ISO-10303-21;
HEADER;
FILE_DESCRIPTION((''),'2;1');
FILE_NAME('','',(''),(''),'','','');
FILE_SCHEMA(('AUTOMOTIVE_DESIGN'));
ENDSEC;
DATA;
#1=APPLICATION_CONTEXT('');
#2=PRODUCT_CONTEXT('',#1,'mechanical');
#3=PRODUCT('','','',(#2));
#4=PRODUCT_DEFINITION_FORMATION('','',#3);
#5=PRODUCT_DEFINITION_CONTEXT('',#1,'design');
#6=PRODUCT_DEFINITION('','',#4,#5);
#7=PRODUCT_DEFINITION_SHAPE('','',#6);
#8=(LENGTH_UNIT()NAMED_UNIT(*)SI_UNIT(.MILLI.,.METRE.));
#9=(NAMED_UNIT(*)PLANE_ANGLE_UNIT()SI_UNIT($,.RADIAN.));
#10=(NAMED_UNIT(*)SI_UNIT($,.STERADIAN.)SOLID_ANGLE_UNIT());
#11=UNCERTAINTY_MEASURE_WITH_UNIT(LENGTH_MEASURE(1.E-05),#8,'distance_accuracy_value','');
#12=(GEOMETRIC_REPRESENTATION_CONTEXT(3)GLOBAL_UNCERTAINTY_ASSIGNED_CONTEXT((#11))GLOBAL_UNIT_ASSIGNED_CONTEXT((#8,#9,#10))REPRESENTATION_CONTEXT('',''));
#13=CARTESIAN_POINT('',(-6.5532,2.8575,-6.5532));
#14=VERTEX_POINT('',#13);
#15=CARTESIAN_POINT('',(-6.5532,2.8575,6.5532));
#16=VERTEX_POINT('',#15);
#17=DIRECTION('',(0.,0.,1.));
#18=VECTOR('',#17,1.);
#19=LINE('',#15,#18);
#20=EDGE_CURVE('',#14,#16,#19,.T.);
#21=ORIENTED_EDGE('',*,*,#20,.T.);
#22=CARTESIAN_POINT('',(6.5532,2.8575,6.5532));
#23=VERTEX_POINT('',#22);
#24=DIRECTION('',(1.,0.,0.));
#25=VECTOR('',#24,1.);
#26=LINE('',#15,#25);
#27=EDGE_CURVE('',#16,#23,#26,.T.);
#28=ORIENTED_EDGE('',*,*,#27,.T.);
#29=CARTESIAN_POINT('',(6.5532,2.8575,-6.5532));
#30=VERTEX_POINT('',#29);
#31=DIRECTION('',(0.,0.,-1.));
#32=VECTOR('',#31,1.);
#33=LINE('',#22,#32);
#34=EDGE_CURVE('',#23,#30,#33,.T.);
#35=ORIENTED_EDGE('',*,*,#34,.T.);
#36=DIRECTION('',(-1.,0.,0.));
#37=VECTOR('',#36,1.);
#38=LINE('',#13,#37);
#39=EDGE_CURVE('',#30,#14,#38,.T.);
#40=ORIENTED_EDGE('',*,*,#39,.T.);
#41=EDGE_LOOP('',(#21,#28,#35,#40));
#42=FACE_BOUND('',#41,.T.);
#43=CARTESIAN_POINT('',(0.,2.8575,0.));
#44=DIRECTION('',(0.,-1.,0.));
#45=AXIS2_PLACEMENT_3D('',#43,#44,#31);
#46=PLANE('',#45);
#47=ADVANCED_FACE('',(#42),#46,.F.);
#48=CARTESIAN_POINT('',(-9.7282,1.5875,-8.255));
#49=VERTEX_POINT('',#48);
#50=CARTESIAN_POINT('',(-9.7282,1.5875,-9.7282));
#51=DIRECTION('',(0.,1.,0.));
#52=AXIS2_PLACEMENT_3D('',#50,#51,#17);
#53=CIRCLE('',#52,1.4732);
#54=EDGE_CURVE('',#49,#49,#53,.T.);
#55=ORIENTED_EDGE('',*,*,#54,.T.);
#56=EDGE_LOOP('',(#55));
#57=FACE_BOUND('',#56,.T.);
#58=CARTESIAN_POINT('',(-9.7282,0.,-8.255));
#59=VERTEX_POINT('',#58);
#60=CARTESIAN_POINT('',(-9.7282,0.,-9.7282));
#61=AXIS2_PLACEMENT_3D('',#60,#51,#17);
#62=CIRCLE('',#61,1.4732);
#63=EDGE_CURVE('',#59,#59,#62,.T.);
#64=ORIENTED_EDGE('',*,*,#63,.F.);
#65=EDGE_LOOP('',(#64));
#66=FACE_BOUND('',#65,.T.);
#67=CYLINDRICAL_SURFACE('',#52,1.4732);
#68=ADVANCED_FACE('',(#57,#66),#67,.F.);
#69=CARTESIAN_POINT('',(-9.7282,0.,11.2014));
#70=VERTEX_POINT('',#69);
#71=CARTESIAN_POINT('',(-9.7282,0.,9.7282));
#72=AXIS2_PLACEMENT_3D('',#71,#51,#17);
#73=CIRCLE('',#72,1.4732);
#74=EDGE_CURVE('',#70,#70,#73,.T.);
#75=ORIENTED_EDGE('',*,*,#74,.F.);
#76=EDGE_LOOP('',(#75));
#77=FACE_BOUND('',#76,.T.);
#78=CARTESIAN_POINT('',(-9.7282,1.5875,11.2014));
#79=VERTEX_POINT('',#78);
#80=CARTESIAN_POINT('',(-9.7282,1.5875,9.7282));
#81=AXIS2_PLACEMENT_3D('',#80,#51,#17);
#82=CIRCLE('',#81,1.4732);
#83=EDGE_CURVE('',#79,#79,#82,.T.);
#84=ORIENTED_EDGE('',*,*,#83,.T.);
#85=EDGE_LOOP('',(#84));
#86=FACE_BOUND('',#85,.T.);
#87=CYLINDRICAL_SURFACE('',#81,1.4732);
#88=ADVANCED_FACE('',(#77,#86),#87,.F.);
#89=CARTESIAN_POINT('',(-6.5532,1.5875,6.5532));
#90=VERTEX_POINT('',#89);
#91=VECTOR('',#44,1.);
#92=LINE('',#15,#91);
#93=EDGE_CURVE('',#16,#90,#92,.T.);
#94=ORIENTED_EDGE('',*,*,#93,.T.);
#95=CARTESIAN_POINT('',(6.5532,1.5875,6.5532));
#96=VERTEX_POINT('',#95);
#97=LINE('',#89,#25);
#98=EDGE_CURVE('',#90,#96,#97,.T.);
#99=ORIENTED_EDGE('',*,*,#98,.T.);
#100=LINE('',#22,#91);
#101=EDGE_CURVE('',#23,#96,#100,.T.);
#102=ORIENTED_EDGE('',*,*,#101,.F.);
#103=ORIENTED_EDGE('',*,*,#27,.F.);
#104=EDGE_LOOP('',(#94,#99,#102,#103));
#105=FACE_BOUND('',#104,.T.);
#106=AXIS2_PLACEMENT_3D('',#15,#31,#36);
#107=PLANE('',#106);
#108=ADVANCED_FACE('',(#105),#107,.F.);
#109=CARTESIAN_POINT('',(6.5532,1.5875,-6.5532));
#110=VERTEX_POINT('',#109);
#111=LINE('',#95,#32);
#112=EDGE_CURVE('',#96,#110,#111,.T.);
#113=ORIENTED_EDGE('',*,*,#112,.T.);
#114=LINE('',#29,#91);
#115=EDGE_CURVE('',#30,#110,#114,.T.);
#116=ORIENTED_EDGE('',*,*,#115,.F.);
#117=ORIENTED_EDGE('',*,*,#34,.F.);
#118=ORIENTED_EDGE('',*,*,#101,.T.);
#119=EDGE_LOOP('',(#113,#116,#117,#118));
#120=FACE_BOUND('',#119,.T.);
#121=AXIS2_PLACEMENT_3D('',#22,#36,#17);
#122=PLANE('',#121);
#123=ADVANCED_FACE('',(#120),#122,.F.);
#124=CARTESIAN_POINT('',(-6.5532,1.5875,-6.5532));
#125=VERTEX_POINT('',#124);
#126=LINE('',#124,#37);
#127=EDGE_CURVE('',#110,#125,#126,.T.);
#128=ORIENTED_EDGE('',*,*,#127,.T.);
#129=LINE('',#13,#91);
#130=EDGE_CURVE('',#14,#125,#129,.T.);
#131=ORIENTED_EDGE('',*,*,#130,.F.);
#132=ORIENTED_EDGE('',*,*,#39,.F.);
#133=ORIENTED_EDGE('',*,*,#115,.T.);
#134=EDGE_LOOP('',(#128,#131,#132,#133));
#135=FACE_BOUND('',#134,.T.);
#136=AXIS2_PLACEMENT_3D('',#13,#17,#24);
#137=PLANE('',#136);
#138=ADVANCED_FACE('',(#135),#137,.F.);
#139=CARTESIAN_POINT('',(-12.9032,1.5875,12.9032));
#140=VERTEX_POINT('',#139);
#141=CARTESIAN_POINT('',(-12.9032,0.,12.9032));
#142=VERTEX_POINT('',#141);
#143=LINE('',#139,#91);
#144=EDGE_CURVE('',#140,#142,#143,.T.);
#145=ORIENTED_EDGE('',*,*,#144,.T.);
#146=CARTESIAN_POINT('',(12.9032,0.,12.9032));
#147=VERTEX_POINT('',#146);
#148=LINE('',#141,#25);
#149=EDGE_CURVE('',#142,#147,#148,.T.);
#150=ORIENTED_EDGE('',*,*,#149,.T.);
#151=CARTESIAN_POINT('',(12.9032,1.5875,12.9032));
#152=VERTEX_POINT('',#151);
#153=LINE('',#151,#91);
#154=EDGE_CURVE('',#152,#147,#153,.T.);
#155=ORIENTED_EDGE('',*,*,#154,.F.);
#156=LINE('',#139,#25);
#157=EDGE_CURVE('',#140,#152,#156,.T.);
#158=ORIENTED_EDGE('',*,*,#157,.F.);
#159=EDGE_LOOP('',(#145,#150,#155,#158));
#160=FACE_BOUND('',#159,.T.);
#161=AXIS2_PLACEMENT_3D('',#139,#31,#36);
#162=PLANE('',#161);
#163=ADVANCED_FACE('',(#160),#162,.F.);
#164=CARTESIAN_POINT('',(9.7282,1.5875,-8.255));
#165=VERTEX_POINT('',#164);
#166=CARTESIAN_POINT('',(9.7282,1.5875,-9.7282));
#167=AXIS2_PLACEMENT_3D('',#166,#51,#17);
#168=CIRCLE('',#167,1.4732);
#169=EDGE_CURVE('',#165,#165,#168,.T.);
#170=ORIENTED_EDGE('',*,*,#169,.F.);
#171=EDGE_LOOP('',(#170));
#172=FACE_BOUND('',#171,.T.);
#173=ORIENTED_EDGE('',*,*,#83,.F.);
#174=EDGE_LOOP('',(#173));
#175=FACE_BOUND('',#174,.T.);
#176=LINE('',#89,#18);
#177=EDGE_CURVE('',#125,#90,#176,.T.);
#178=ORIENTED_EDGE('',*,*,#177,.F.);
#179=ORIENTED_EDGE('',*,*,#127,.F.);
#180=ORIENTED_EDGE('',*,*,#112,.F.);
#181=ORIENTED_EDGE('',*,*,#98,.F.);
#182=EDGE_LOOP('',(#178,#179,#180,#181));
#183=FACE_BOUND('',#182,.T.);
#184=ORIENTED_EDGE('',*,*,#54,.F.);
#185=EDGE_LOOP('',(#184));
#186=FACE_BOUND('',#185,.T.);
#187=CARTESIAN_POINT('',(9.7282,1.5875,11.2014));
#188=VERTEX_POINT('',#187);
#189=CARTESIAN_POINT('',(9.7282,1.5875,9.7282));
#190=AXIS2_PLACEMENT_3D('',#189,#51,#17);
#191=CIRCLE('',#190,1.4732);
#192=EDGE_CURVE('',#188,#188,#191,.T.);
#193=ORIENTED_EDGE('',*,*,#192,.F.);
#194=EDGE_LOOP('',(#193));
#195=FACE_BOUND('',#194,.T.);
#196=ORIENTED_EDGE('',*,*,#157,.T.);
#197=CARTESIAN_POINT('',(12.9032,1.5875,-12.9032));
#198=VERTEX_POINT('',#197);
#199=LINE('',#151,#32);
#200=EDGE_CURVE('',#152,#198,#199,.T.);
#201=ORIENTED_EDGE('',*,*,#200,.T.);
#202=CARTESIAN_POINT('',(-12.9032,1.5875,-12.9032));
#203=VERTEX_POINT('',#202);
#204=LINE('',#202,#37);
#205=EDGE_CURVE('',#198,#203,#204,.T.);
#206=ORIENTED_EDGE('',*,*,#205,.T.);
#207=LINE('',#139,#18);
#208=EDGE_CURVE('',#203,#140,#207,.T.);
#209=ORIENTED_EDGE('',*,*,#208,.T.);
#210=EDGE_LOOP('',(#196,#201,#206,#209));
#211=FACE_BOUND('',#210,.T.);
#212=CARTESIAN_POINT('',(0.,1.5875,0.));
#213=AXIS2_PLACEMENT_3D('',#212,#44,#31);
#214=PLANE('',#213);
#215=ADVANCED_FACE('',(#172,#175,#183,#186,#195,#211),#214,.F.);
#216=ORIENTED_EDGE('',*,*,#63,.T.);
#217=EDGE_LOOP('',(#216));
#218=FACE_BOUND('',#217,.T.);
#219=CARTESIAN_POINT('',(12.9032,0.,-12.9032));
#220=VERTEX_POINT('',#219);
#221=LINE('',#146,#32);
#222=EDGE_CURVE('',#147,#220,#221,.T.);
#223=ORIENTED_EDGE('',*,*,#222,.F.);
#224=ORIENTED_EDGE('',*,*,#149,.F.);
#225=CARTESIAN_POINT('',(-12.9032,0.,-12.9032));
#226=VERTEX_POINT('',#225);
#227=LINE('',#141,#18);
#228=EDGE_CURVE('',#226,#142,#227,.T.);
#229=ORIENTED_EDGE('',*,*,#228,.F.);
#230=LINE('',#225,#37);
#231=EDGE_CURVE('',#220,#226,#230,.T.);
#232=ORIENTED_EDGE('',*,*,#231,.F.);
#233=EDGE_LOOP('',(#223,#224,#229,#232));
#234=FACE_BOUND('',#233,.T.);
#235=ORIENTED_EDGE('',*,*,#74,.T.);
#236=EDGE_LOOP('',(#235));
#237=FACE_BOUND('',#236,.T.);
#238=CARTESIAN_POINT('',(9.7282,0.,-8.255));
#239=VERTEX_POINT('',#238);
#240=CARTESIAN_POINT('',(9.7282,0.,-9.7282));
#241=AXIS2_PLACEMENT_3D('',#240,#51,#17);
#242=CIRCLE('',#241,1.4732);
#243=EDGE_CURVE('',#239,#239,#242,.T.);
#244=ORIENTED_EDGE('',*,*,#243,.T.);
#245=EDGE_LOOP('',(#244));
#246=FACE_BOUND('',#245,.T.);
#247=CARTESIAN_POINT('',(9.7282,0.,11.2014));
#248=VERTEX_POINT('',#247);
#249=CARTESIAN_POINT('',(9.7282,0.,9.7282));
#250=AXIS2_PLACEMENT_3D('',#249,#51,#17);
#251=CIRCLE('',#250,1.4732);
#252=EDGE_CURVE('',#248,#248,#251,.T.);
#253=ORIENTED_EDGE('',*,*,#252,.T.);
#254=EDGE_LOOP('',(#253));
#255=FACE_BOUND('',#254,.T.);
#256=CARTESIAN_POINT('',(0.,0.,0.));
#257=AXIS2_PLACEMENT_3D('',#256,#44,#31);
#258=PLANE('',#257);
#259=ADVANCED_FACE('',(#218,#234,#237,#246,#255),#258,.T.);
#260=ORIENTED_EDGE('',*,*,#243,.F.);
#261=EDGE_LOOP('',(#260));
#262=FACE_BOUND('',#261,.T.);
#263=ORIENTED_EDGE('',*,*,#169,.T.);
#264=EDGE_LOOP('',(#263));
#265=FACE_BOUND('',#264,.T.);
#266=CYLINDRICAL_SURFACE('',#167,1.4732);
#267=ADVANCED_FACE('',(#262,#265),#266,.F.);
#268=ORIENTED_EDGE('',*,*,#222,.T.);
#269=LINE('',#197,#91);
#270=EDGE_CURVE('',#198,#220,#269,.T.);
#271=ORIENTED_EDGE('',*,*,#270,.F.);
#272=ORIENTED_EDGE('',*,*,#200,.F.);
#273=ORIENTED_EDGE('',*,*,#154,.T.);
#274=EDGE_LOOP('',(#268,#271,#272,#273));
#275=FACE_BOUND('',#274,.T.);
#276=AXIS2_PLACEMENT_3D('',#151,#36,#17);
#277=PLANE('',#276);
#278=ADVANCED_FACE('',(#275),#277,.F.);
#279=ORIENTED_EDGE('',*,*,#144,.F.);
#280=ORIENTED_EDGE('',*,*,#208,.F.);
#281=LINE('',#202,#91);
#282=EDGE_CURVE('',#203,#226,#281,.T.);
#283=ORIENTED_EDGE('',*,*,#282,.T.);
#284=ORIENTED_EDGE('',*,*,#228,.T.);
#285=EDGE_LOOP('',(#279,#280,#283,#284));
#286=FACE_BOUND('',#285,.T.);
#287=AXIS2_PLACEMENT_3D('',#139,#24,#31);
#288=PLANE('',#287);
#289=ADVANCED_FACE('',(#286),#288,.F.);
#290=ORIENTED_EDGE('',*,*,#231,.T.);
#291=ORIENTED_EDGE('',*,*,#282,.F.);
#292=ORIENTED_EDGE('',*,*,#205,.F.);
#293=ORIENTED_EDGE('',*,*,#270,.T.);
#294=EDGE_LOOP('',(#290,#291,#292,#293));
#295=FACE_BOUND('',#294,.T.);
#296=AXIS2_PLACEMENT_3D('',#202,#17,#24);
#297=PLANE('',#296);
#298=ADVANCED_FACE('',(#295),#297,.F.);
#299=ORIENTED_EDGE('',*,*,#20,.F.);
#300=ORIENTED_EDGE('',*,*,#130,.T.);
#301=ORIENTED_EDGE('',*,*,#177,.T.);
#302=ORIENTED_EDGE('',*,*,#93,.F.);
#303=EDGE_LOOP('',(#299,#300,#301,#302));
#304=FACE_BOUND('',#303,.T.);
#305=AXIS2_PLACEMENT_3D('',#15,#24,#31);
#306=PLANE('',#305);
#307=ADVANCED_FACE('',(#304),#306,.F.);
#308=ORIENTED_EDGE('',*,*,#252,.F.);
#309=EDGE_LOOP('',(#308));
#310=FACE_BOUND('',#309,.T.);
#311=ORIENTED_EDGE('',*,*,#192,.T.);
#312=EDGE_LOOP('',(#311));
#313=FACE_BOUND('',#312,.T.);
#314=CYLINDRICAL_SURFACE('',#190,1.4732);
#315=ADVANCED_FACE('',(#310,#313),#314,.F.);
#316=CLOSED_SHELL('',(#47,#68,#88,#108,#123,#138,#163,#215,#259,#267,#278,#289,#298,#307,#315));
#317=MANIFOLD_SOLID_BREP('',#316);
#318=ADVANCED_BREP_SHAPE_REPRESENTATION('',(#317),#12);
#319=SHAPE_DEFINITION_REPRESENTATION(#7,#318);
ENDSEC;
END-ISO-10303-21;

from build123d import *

# Parameters (mm, degrees)
SKETCH1_W                   = 25.8064
SKETCH1_H                   = 25.8064
BOSS_EXTRUDE1_DEPTH         = 1.5875
SKETCH2_W                   = 13.1064
SKETCH2_H                   = 13.1064
BOSS_EXTRUDE2_DEPTH         = 1.27
F_32_0_116_DIAMETER_HOLE1_D = 2.9464


with BuildPart() as part:
    # Sketch1 → Boss-Extrude1 (new body)
    with BuildSketch(Plane(origin=(0, 0, 0), x_dir=(1, 0, 0), z_dir=(0, 1, 0))):
        Rectangle(SKETCH1_W, SKETCH1_H)
    extrude(amount=BOSS_EXTRUDE1_DEPTH)

    # Sketch2 → Boss-Extrude2 (add)
    with BuildSketch(Plane(origin=(0, 1.5875, 0), x_dir=(1, 0, 0), z_dir=(0, 1, 0))):
        Rectangle(SKETCH2_W, SKETCH2_H)
    extrude(amount=BOSS_EXTRUDE2_DEPTH)

    # #32 (0.116) Diameter Hole1 (through all)
    with Locations(Plane(origin=(-9.7282, 1.5875, -9.7282), x_dir=(0, 0, 1), z_dir=(0, 1, 0))):
        with Locations((0, 0), (19.4564, 0), (19.4564, 19.4564), (0, 19.4564)):
            Hole(F_32_0_116_DIAMETER_HOLE1_D / 2)


solid = part.part
